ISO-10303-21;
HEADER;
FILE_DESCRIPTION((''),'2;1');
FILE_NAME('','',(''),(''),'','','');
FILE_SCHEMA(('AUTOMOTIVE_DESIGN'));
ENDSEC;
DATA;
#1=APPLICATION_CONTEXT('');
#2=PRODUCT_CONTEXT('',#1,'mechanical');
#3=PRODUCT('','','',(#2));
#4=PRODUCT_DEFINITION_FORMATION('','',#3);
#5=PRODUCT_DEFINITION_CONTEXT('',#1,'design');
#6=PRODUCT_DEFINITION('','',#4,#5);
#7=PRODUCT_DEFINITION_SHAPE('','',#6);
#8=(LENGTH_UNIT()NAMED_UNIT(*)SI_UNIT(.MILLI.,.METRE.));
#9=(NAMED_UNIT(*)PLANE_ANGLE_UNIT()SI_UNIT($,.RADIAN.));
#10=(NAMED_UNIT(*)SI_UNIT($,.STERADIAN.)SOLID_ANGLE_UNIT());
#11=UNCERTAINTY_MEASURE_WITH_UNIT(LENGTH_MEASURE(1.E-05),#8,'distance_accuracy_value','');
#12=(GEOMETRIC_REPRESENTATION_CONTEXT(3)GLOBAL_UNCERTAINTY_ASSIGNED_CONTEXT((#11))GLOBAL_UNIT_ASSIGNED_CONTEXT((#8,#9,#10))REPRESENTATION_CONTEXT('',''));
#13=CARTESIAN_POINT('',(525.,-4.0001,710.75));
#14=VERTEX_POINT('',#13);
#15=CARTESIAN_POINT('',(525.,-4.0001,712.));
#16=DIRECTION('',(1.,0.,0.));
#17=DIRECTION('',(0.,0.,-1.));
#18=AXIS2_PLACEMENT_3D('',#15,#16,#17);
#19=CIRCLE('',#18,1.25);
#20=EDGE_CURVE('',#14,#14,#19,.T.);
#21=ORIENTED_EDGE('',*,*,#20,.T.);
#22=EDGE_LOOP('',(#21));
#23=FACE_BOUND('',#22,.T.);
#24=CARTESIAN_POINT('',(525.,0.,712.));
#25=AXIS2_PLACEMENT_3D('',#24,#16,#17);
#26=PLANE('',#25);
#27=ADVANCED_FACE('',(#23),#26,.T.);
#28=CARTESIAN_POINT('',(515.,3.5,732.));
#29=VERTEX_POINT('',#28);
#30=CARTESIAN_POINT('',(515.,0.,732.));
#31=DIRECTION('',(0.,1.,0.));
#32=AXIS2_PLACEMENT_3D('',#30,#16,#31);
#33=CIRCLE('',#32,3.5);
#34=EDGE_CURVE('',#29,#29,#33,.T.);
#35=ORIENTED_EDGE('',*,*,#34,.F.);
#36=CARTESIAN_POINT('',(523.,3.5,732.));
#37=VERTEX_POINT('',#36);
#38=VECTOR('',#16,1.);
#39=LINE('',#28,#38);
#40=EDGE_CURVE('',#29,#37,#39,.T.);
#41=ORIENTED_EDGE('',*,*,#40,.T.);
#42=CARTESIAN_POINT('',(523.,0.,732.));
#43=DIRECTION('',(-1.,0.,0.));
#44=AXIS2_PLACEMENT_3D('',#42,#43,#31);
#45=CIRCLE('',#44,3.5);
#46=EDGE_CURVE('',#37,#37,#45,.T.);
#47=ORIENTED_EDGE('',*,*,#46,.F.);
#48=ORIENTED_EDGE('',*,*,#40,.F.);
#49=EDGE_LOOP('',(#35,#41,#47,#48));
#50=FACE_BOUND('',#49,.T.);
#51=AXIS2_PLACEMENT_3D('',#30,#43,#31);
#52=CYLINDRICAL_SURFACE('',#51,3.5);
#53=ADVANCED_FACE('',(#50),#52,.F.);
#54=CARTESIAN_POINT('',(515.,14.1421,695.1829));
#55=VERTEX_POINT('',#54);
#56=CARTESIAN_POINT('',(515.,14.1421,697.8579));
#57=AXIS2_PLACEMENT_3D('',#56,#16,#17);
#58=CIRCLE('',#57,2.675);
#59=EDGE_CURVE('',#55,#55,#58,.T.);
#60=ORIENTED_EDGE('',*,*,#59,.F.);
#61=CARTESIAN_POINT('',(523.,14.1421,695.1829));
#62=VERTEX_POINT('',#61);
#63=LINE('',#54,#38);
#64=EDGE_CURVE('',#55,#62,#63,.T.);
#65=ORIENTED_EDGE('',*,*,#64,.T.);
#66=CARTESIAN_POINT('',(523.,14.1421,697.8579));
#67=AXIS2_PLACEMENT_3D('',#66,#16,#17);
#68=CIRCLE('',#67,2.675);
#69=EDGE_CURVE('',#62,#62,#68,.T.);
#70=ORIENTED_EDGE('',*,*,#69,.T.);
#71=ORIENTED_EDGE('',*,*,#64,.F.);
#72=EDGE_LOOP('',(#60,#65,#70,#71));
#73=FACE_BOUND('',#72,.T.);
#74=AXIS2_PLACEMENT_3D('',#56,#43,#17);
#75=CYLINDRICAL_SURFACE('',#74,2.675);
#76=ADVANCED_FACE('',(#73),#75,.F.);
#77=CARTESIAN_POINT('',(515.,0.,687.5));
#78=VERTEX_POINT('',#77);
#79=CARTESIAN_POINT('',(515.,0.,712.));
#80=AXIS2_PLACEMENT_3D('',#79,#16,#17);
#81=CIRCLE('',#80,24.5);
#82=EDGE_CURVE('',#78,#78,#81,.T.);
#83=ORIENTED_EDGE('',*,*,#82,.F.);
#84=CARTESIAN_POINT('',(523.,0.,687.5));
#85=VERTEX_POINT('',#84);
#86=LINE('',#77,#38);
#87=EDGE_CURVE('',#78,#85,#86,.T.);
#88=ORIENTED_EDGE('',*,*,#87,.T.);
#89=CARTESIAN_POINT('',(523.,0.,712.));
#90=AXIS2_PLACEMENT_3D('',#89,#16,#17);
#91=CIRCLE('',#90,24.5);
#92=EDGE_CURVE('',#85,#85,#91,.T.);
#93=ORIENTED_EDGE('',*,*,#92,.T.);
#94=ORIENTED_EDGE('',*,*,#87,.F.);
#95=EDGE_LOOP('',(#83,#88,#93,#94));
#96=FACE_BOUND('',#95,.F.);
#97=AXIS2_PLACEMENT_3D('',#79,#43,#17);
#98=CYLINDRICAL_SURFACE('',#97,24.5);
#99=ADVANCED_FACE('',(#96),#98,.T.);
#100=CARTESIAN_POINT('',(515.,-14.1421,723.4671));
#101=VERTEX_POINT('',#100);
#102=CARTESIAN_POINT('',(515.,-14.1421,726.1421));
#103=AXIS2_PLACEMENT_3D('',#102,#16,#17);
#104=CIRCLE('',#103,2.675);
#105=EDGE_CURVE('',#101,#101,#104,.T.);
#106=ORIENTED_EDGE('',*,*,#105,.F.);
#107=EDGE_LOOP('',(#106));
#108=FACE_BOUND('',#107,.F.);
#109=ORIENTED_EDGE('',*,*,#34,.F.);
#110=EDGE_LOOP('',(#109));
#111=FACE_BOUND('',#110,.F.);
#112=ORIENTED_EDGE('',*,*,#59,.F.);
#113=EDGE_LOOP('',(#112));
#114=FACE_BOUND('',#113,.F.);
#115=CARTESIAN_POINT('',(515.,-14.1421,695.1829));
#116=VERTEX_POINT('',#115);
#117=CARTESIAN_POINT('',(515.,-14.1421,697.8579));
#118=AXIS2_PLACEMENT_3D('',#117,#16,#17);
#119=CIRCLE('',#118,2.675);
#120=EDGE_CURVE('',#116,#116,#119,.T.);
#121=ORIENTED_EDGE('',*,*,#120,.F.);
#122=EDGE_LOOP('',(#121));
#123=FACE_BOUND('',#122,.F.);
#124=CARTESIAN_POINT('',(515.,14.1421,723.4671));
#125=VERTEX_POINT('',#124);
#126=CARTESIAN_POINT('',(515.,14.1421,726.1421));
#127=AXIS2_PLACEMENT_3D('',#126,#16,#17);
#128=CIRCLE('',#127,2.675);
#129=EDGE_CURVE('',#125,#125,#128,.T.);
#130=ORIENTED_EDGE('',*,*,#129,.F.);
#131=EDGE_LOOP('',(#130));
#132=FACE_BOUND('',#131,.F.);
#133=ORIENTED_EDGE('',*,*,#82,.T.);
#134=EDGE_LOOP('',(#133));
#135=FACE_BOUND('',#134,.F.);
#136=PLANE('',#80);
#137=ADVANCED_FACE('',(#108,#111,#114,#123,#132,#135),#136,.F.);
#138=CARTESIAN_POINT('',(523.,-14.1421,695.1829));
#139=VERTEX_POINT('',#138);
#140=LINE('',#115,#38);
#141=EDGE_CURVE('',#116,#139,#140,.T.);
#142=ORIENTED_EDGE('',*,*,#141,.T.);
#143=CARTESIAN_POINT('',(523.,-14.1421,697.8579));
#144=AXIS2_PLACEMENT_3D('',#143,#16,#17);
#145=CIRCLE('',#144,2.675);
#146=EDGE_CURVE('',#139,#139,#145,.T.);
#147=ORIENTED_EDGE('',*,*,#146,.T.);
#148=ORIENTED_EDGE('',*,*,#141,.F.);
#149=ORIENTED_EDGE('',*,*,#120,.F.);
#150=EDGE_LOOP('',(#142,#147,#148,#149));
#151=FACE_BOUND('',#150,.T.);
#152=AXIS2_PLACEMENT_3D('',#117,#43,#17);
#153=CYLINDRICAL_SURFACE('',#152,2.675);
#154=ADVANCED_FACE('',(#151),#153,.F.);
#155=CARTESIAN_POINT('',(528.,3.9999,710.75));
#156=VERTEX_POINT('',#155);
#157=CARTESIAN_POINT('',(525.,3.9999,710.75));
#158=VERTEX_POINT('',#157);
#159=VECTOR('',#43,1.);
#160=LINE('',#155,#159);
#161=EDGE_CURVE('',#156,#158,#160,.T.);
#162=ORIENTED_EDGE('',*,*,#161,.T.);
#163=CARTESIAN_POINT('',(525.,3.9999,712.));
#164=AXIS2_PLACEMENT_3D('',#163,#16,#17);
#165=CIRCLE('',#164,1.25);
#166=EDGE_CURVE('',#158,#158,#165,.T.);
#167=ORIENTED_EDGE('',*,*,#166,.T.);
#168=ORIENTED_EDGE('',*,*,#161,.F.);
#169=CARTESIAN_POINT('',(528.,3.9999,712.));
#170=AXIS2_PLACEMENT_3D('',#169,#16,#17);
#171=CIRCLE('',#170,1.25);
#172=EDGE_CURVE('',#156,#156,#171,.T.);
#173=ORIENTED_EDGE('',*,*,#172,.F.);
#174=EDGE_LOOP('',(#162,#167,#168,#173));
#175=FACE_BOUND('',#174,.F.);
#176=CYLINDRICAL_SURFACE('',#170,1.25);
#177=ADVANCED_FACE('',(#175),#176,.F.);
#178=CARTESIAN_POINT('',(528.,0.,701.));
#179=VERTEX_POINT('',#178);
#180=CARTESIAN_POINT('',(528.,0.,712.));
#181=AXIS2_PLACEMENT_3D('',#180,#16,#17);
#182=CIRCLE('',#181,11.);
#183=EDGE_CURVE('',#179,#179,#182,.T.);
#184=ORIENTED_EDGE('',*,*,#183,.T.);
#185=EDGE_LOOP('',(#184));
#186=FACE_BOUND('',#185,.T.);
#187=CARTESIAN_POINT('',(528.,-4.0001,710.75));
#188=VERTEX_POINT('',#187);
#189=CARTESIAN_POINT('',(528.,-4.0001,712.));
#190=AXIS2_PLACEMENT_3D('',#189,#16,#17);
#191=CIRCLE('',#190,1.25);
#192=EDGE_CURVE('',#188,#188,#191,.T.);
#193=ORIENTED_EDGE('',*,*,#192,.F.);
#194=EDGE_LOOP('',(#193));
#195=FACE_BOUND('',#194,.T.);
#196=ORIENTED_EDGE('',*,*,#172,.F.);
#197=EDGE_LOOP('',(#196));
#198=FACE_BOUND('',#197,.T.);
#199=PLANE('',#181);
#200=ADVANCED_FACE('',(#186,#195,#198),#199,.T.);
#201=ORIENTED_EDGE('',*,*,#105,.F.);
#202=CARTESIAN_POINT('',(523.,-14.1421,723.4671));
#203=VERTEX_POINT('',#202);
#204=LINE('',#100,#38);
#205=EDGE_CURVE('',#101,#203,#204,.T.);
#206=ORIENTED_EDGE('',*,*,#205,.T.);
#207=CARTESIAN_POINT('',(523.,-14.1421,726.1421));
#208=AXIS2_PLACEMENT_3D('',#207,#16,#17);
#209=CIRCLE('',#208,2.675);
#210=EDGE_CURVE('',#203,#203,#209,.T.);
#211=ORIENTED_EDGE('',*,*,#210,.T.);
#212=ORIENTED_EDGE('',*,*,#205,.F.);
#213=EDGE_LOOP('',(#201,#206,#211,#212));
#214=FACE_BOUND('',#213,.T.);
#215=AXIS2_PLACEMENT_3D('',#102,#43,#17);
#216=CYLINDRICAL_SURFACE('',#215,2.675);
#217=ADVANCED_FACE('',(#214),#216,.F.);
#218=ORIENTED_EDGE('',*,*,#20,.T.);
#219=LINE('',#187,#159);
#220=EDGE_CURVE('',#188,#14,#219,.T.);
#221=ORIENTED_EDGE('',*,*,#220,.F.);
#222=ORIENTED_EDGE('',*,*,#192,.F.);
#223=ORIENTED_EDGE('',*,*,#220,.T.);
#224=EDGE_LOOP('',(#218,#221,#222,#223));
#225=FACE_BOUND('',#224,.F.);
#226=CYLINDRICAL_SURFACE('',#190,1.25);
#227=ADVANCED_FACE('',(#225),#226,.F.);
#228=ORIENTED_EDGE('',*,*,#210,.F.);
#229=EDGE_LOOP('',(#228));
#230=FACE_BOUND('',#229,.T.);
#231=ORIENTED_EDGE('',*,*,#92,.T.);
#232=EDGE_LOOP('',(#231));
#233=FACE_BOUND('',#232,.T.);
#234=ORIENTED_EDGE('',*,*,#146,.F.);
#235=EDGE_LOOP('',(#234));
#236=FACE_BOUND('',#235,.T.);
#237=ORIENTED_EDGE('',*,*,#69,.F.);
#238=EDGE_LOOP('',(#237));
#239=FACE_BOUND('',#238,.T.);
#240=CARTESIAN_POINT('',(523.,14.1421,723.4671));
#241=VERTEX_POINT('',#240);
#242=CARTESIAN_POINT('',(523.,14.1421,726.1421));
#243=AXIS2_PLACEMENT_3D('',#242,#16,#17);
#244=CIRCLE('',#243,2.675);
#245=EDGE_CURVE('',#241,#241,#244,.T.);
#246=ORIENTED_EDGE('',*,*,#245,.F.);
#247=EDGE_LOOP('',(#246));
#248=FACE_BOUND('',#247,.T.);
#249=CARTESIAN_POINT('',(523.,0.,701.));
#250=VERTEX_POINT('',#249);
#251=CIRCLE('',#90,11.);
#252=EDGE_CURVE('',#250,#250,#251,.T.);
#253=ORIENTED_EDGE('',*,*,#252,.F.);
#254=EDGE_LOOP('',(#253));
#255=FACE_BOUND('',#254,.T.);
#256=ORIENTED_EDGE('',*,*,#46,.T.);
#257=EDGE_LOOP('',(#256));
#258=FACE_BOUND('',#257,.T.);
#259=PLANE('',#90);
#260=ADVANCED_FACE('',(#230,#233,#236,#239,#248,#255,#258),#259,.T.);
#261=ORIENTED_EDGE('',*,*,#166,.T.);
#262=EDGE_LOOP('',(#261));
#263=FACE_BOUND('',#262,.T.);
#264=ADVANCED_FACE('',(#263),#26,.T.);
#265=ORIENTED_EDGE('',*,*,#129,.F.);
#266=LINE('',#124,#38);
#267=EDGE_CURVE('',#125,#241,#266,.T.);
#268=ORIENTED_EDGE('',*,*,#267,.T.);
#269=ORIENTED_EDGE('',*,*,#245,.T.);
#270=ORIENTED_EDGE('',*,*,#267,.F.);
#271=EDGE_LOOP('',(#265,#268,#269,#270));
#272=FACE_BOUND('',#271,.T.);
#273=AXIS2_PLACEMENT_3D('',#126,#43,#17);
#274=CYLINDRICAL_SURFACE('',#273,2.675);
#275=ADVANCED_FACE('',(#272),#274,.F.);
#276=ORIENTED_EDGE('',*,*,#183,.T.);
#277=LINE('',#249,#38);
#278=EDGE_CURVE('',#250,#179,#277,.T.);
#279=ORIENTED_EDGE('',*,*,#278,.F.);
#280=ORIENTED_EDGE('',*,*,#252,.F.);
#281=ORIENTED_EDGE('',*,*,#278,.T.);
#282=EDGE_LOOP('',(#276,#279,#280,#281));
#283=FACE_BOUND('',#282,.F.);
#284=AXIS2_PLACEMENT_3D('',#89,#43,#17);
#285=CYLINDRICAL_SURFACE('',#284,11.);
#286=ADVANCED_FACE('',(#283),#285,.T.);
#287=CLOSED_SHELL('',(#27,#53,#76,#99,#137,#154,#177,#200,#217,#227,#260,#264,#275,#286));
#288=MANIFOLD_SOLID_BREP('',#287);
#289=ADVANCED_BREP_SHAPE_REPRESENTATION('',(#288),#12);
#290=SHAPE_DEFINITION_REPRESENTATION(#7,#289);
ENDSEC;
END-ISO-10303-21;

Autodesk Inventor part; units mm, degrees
ref_plane "YZ Plane" through (0, 0, 0) normal (1, 0, 0) x (0, 1, 0)
ref_plane "XZ Plane" through (0, 0, 0) normal (0, 1, 0) x (-1, 0, 0)
ref_plane "Work Plane1" through (515, 0, 712) normal (1, 0, 0) x (0, 0, -1)
sketch "Sketch1" plane through (515, 0, 712) normal (1, 0, 0) x (0, 0, -1)
  circle A0 centre (0, 0) radius 24.5 projected
  circle A1 centre (0, 0) radius 13.5 projected
  circle A2 centre (14.1421, -14.1421) radius 2.675 projected
  circle A3 centre (14.1421, 14.1421) radius 2.675 projected
  circle A4 centre (-14.1421, 14.1421) radius 2.675 projected
  circle A5 centre (-14.1421, -14.1421) radius 2.675 projected
  arc A6 (-20, 3.5) -> (-20, -3.5) centre (-20, 0) ccw projected
  arc A7 (-20, -3.5) -> (-20, 3.5) centre (-20, 0) ccw projected
  point P0 (712, 0)
extrude "Extrusion1" add sketch "Sketch1" along normal blind 8 contours A0 | A1
sketch "Sketch2" plane through (523, 0, 712) normal (1, 0, 0) x (0, 0, -1)
  circle A0 centre (0, 0) radius 11
  point P0 (712, 0)
  dimension "d2" = 22
extrude "Extrusion2" add sketch "Sketch2" along normal blind 5
sketch "Sketch3" plane through (528, 0, 712) normal (1, 0, 0) x (0, 0, -1)
  circle A0 centre (0, -4.0001) radius 1.25
  circle A1 centre (0, 3.9999) radius 1.25
  circle A2 centre (0, 0) radius 11 projected
  point P0 (712, 0)
  dimension "d14" = 8
  dimension "d15" = 22
extrude "Extrusion3" cut sketch "Sketch3" against normal blind 3 contours A0 | A1
properties part number "Herramienta Marcador Base"
